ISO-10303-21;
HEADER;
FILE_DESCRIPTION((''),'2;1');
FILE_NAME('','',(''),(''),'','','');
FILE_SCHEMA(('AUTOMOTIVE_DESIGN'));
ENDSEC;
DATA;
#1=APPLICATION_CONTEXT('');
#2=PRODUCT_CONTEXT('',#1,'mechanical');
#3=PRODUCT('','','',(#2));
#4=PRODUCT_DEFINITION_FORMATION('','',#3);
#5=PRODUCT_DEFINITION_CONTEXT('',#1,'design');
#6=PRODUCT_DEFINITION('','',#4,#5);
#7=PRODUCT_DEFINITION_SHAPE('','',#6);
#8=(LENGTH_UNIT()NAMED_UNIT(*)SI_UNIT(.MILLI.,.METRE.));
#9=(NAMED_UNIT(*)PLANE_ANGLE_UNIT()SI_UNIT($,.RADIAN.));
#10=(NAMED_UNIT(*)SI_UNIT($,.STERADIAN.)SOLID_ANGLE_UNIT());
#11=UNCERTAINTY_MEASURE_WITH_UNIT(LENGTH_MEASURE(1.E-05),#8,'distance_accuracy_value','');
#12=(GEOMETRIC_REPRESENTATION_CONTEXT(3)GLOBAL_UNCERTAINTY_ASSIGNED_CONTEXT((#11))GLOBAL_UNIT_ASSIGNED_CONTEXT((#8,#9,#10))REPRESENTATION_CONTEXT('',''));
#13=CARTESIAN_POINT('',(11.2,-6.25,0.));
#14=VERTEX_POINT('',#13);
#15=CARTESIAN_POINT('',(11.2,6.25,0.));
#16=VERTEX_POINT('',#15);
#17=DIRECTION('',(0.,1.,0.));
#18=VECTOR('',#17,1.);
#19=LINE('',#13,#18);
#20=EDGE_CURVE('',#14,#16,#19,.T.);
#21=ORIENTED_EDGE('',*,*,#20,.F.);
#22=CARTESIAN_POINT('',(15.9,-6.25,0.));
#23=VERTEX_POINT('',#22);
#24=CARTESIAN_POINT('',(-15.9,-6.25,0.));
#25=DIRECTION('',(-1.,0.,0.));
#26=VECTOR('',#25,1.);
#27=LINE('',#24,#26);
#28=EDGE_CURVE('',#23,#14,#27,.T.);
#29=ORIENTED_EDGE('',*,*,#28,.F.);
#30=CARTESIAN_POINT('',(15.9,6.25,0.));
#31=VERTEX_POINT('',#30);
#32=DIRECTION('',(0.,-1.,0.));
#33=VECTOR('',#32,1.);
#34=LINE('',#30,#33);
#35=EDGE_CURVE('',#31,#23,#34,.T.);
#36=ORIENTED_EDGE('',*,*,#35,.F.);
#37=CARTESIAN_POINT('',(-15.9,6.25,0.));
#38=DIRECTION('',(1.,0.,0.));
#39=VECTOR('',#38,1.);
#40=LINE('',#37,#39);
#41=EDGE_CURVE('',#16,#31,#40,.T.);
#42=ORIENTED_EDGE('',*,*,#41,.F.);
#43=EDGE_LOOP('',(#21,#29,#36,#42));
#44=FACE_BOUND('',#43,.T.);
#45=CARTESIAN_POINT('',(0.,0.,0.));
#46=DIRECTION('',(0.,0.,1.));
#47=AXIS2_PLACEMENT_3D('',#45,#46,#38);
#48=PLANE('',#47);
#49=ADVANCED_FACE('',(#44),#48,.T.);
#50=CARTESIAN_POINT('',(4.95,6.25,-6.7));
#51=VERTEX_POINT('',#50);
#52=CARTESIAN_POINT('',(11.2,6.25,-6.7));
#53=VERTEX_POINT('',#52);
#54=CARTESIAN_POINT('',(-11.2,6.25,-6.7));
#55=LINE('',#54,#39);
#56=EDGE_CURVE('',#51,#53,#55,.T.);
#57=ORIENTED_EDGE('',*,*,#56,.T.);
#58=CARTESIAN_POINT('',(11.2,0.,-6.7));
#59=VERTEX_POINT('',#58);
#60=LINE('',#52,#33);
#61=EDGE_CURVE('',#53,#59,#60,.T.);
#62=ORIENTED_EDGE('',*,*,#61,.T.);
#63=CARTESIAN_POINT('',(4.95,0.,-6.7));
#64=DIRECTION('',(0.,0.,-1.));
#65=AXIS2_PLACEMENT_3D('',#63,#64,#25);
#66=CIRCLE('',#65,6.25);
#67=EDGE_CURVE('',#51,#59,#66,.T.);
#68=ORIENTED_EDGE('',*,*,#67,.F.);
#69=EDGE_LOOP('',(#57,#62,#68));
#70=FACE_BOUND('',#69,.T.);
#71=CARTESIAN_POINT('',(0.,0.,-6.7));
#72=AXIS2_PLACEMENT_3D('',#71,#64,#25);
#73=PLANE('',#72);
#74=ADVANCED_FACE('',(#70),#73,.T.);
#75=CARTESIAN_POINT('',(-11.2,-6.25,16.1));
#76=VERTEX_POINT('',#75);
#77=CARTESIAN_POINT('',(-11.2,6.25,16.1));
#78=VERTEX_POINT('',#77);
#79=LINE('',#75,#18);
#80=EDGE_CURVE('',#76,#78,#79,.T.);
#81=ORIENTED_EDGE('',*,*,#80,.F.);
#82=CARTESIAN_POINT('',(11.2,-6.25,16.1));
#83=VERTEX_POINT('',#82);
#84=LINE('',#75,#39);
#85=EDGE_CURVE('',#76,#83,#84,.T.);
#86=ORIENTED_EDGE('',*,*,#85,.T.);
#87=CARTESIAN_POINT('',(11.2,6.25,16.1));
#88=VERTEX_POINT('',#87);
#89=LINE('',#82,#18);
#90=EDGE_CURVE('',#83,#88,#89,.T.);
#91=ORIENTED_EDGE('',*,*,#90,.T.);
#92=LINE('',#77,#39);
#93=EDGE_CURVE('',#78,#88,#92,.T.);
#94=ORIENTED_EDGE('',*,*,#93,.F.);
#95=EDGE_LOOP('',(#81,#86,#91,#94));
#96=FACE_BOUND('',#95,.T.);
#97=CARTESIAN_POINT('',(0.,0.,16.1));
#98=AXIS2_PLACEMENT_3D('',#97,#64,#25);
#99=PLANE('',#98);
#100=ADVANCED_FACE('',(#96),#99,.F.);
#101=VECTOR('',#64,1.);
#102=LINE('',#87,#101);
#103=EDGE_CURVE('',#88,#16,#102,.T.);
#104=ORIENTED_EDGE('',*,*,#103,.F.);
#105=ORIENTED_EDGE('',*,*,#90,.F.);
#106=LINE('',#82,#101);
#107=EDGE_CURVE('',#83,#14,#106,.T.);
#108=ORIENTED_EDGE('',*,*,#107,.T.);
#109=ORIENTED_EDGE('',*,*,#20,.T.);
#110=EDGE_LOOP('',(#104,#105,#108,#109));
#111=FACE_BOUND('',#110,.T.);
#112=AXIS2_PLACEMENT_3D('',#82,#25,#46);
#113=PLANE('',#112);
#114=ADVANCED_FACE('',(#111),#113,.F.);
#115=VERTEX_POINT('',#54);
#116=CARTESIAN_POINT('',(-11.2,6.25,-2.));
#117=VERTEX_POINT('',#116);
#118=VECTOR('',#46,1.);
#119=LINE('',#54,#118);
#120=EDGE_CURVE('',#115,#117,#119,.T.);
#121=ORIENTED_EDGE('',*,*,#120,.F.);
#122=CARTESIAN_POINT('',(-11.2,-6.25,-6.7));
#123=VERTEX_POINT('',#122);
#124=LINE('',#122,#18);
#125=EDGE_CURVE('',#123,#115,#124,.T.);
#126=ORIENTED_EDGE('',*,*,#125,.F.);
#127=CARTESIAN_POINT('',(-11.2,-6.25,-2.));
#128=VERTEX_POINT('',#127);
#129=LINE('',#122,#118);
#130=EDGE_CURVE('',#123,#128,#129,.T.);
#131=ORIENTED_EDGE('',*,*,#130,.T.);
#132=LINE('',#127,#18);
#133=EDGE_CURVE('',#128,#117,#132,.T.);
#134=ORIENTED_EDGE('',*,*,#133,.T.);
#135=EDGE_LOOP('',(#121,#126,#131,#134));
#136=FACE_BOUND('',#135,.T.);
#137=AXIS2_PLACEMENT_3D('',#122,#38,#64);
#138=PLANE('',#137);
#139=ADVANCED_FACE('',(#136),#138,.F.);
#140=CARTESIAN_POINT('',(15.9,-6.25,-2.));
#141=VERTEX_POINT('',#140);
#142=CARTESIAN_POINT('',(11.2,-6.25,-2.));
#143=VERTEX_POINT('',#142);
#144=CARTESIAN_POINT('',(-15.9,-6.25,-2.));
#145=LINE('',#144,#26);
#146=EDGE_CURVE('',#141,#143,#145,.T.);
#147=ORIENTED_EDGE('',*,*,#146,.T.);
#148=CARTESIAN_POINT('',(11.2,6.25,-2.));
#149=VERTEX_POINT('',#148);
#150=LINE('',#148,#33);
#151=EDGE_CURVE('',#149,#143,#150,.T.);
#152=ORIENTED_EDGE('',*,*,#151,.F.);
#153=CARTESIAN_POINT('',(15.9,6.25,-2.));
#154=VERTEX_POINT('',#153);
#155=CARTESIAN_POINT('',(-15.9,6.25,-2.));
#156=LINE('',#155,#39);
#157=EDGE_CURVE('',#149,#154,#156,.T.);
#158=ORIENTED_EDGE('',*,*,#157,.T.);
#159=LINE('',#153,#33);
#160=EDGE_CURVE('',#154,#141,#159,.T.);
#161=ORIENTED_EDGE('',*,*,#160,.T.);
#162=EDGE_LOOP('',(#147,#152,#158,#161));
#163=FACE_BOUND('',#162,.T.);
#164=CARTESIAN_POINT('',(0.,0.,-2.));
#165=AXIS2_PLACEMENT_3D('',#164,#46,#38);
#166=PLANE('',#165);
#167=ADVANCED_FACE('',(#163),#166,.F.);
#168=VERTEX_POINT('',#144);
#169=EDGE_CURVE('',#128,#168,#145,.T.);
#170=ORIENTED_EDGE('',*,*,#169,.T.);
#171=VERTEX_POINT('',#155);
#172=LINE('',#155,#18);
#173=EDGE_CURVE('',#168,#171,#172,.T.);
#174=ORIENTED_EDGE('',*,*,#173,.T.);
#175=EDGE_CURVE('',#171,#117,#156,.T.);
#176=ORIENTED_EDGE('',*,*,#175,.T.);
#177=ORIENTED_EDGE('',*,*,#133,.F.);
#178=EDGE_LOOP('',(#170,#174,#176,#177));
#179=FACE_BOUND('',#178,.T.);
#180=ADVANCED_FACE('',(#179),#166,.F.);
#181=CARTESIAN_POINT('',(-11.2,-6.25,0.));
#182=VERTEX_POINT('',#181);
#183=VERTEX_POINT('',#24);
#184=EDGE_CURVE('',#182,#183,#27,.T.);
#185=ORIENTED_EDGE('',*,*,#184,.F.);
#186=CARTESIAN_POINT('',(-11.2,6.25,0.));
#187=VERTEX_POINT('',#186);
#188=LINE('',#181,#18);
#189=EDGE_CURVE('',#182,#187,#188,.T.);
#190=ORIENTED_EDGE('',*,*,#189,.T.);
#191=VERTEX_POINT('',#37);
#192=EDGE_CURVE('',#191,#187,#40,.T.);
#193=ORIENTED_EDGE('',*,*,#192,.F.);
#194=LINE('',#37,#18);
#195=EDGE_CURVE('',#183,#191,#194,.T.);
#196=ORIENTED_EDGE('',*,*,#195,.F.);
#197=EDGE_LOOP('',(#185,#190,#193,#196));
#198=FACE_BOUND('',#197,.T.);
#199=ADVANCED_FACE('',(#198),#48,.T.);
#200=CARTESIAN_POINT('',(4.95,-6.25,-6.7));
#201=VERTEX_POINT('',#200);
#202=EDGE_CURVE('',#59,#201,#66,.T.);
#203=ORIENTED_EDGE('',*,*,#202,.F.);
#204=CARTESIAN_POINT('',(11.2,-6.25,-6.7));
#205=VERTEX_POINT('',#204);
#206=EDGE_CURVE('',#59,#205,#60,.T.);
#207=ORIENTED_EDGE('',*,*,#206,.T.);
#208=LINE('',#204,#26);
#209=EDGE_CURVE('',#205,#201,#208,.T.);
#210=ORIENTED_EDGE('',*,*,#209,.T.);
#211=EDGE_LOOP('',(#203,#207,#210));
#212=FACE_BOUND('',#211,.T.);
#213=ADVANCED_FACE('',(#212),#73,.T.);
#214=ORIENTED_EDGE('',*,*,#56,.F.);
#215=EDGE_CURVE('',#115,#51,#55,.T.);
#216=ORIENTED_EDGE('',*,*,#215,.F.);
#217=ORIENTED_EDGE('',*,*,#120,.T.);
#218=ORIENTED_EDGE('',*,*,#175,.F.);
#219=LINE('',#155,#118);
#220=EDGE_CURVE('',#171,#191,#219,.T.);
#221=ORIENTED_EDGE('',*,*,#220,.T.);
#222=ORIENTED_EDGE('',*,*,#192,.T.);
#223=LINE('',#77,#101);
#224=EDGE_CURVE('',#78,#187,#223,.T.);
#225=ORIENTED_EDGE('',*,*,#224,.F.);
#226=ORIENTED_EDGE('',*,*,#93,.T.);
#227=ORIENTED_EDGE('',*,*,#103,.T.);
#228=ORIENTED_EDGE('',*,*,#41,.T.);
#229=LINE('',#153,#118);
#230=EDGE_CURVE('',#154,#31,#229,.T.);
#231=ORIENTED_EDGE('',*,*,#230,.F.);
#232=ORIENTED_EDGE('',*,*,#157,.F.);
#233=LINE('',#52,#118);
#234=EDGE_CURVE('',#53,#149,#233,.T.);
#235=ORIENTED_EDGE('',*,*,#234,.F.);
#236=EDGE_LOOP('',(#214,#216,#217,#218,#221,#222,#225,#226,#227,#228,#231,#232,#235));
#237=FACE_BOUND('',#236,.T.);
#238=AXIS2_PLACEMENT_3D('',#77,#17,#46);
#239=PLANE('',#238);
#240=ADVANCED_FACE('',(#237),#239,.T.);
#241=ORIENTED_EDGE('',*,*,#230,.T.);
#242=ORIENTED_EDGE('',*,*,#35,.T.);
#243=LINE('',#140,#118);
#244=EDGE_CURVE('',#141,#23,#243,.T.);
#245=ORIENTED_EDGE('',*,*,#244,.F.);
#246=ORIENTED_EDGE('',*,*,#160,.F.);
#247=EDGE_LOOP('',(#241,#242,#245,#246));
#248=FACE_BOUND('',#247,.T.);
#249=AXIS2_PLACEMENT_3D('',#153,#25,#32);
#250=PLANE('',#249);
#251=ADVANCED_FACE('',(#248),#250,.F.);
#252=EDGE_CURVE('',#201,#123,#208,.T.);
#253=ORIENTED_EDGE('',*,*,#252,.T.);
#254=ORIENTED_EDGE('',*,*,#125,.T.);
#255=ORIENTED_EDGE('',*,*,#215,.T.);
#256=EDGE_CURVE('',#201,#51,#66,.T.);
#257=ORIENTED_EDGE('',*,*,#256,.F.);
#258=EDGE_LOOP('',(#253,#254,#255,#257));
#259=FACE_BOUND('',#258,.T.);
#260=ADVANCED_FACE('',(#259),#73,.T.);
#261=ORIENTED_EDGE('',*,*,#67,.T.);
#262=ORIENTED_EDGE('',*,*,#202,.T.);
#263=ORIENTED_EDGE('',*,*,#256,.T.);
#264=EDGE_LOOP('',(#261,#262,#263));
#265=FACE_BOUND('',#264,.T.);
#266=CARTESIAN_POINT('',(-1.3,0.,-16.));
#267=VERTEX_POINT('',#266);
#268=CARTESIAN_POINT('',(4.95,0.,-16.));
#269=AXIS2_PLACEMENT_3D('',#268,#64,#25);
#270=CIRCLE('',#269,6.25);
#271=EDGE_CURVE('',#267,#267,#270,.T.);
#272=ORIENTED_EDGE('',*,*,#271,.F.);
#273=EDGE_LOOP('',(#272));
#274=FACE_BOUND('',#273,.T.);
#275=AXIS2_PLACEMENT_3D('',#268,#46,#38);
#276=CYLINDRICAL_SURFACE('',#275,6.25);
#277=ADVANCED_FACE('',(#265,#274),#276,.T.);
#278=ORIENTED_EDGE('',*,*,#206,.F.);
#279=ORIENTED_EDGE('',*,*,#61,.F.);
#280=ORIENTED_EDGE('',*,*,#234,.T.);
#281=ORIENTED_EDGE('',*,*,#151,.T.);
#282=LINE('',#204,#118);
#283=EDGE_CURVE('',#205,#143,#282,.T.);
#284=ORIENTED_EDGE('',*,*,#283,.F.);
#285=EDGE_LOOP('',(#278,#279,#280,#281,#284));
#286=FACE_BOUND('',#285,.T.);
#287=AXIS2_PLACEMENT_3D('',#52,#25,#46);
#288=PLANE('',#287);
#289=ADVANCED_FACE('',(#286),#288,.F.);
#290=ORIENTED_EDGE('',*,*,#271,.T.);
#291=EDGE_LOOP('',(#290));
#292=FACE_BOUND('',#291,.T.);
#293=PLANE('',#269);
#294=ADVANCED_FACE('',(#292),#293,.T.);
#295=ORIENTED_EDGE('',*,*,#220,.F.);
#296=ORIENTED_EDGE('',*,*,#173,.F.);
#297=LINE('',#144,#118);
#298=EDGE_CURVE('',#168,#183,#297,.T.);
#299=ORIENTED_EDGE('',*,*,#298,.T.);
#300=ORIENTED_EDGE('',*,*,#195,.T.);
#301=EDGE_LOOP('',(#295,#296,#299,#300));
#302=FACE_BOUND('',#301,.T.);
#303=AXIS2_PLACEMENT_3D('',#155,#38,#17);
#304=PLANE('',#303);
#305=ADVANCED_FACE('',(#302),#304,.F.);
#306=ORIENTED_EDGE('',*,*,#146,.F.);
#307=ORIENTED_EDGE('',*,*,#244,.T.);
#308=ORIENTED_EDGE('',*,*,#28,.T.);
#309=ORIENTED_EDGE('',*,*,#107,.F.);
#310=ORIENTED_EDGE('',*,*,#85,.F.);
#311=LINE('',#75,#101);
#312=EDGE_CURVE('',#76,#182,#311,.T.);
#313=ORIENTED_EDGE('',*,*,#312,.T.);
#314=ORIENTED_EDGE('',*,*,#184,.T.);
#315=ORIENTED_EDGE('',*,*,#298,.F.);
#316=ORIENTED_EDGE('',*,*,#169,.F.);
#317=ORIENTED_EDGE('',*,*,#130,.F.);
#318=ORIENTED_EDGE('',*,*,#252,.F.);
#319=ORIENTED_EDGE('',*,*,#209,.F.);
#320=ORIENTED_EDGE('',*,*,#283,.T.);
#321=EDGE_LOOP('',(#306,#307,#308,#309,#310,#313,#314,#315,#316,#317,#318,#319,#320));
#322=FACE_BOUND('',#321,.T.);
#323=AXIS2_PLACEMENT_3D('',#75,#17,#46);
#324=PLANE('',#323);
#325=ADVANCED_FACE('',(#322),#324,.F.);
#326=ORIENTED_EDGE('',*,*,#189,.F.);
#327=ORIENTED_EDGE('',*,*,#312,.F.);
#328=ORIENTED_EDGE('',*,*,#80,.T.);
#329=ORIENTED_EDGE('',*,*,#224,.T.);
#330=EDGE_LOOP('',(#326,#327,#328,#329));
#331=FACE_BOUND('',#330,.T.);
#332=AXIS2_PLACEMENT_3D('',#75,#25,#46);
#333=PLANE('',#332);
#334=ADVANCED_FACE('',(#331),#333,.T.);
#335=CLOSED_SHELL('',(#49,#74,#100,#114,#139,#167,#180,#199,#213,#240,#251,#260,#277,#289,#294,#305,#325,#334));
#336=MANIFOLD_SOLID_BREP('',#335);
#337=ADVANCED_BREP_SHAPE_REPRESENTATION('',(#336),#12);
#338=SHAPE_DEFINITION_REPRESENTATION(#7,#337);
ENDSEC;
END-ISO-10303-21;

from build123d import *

# Parameters (mm, degrees)
SKETCH_1_W      = 22.4
SKETCH_1_H      = 12.5
EXTRUDE_1_DEPTH = 16.1
SKETCH_2_W      = 31.8
SKETCH_2_H      = 12.5
EXTRUDE_2_DEPTH = 2
SKETCH_3_W      = 22.4
SKETCH_3_H      = 12.5
EXTRUDE_3_DEPTH = 4.7
SKETCH_4_R      = 6.25
EXTRUDE_4_DEPTH = 9.3


with BuildPart() as part:
    # 草图1 → 凸台-拉伸1 (new body)
    with BuildSketch(Plane.XY):
        Rectangle(SKETCH_1_W, SKETCH_1_H)
    extrude(amount=EXTRUDE_1_DEPTH)

    # 草图2 → 凸台-拉伸2 (add)
    with BuildSketch(Plane(origin=(0, 0, 0), x_dir=(-1, 0, 0), z_dir=(0, 0, -1))):
        Rectangle(SKETCH_2_W, SKETCH_2_H)
    extrude(amount=EXTRUDE_2_DEPTH)

    # 草图3 → 凸台-拉伸3 (add)
    with BuildSketch(Plane(origin=(0, 0, -2), x_dir=(-1, 0, 0), z_dir=(0, 0, -1))):
        Rectangle(SKETCH_3_W, SKETCH_3_H)
    extrude(amount=EXTRUDE_3_DEPTH)

    # 草图4 → 凸台-拉伸4 (add)
    with BuildSketch(Plane(origin=(0, 0, -6.7), x_dir=(-1, 0, 0), z_dir=(0, 0, -1))):
        with Locations(Location((-4.95, 0, 0), (0, 0, 180))):
            Circle(SKETCH_4_R)
    extrude(amount=EXTRUDE_4_DEPTH)


solid = part.part
